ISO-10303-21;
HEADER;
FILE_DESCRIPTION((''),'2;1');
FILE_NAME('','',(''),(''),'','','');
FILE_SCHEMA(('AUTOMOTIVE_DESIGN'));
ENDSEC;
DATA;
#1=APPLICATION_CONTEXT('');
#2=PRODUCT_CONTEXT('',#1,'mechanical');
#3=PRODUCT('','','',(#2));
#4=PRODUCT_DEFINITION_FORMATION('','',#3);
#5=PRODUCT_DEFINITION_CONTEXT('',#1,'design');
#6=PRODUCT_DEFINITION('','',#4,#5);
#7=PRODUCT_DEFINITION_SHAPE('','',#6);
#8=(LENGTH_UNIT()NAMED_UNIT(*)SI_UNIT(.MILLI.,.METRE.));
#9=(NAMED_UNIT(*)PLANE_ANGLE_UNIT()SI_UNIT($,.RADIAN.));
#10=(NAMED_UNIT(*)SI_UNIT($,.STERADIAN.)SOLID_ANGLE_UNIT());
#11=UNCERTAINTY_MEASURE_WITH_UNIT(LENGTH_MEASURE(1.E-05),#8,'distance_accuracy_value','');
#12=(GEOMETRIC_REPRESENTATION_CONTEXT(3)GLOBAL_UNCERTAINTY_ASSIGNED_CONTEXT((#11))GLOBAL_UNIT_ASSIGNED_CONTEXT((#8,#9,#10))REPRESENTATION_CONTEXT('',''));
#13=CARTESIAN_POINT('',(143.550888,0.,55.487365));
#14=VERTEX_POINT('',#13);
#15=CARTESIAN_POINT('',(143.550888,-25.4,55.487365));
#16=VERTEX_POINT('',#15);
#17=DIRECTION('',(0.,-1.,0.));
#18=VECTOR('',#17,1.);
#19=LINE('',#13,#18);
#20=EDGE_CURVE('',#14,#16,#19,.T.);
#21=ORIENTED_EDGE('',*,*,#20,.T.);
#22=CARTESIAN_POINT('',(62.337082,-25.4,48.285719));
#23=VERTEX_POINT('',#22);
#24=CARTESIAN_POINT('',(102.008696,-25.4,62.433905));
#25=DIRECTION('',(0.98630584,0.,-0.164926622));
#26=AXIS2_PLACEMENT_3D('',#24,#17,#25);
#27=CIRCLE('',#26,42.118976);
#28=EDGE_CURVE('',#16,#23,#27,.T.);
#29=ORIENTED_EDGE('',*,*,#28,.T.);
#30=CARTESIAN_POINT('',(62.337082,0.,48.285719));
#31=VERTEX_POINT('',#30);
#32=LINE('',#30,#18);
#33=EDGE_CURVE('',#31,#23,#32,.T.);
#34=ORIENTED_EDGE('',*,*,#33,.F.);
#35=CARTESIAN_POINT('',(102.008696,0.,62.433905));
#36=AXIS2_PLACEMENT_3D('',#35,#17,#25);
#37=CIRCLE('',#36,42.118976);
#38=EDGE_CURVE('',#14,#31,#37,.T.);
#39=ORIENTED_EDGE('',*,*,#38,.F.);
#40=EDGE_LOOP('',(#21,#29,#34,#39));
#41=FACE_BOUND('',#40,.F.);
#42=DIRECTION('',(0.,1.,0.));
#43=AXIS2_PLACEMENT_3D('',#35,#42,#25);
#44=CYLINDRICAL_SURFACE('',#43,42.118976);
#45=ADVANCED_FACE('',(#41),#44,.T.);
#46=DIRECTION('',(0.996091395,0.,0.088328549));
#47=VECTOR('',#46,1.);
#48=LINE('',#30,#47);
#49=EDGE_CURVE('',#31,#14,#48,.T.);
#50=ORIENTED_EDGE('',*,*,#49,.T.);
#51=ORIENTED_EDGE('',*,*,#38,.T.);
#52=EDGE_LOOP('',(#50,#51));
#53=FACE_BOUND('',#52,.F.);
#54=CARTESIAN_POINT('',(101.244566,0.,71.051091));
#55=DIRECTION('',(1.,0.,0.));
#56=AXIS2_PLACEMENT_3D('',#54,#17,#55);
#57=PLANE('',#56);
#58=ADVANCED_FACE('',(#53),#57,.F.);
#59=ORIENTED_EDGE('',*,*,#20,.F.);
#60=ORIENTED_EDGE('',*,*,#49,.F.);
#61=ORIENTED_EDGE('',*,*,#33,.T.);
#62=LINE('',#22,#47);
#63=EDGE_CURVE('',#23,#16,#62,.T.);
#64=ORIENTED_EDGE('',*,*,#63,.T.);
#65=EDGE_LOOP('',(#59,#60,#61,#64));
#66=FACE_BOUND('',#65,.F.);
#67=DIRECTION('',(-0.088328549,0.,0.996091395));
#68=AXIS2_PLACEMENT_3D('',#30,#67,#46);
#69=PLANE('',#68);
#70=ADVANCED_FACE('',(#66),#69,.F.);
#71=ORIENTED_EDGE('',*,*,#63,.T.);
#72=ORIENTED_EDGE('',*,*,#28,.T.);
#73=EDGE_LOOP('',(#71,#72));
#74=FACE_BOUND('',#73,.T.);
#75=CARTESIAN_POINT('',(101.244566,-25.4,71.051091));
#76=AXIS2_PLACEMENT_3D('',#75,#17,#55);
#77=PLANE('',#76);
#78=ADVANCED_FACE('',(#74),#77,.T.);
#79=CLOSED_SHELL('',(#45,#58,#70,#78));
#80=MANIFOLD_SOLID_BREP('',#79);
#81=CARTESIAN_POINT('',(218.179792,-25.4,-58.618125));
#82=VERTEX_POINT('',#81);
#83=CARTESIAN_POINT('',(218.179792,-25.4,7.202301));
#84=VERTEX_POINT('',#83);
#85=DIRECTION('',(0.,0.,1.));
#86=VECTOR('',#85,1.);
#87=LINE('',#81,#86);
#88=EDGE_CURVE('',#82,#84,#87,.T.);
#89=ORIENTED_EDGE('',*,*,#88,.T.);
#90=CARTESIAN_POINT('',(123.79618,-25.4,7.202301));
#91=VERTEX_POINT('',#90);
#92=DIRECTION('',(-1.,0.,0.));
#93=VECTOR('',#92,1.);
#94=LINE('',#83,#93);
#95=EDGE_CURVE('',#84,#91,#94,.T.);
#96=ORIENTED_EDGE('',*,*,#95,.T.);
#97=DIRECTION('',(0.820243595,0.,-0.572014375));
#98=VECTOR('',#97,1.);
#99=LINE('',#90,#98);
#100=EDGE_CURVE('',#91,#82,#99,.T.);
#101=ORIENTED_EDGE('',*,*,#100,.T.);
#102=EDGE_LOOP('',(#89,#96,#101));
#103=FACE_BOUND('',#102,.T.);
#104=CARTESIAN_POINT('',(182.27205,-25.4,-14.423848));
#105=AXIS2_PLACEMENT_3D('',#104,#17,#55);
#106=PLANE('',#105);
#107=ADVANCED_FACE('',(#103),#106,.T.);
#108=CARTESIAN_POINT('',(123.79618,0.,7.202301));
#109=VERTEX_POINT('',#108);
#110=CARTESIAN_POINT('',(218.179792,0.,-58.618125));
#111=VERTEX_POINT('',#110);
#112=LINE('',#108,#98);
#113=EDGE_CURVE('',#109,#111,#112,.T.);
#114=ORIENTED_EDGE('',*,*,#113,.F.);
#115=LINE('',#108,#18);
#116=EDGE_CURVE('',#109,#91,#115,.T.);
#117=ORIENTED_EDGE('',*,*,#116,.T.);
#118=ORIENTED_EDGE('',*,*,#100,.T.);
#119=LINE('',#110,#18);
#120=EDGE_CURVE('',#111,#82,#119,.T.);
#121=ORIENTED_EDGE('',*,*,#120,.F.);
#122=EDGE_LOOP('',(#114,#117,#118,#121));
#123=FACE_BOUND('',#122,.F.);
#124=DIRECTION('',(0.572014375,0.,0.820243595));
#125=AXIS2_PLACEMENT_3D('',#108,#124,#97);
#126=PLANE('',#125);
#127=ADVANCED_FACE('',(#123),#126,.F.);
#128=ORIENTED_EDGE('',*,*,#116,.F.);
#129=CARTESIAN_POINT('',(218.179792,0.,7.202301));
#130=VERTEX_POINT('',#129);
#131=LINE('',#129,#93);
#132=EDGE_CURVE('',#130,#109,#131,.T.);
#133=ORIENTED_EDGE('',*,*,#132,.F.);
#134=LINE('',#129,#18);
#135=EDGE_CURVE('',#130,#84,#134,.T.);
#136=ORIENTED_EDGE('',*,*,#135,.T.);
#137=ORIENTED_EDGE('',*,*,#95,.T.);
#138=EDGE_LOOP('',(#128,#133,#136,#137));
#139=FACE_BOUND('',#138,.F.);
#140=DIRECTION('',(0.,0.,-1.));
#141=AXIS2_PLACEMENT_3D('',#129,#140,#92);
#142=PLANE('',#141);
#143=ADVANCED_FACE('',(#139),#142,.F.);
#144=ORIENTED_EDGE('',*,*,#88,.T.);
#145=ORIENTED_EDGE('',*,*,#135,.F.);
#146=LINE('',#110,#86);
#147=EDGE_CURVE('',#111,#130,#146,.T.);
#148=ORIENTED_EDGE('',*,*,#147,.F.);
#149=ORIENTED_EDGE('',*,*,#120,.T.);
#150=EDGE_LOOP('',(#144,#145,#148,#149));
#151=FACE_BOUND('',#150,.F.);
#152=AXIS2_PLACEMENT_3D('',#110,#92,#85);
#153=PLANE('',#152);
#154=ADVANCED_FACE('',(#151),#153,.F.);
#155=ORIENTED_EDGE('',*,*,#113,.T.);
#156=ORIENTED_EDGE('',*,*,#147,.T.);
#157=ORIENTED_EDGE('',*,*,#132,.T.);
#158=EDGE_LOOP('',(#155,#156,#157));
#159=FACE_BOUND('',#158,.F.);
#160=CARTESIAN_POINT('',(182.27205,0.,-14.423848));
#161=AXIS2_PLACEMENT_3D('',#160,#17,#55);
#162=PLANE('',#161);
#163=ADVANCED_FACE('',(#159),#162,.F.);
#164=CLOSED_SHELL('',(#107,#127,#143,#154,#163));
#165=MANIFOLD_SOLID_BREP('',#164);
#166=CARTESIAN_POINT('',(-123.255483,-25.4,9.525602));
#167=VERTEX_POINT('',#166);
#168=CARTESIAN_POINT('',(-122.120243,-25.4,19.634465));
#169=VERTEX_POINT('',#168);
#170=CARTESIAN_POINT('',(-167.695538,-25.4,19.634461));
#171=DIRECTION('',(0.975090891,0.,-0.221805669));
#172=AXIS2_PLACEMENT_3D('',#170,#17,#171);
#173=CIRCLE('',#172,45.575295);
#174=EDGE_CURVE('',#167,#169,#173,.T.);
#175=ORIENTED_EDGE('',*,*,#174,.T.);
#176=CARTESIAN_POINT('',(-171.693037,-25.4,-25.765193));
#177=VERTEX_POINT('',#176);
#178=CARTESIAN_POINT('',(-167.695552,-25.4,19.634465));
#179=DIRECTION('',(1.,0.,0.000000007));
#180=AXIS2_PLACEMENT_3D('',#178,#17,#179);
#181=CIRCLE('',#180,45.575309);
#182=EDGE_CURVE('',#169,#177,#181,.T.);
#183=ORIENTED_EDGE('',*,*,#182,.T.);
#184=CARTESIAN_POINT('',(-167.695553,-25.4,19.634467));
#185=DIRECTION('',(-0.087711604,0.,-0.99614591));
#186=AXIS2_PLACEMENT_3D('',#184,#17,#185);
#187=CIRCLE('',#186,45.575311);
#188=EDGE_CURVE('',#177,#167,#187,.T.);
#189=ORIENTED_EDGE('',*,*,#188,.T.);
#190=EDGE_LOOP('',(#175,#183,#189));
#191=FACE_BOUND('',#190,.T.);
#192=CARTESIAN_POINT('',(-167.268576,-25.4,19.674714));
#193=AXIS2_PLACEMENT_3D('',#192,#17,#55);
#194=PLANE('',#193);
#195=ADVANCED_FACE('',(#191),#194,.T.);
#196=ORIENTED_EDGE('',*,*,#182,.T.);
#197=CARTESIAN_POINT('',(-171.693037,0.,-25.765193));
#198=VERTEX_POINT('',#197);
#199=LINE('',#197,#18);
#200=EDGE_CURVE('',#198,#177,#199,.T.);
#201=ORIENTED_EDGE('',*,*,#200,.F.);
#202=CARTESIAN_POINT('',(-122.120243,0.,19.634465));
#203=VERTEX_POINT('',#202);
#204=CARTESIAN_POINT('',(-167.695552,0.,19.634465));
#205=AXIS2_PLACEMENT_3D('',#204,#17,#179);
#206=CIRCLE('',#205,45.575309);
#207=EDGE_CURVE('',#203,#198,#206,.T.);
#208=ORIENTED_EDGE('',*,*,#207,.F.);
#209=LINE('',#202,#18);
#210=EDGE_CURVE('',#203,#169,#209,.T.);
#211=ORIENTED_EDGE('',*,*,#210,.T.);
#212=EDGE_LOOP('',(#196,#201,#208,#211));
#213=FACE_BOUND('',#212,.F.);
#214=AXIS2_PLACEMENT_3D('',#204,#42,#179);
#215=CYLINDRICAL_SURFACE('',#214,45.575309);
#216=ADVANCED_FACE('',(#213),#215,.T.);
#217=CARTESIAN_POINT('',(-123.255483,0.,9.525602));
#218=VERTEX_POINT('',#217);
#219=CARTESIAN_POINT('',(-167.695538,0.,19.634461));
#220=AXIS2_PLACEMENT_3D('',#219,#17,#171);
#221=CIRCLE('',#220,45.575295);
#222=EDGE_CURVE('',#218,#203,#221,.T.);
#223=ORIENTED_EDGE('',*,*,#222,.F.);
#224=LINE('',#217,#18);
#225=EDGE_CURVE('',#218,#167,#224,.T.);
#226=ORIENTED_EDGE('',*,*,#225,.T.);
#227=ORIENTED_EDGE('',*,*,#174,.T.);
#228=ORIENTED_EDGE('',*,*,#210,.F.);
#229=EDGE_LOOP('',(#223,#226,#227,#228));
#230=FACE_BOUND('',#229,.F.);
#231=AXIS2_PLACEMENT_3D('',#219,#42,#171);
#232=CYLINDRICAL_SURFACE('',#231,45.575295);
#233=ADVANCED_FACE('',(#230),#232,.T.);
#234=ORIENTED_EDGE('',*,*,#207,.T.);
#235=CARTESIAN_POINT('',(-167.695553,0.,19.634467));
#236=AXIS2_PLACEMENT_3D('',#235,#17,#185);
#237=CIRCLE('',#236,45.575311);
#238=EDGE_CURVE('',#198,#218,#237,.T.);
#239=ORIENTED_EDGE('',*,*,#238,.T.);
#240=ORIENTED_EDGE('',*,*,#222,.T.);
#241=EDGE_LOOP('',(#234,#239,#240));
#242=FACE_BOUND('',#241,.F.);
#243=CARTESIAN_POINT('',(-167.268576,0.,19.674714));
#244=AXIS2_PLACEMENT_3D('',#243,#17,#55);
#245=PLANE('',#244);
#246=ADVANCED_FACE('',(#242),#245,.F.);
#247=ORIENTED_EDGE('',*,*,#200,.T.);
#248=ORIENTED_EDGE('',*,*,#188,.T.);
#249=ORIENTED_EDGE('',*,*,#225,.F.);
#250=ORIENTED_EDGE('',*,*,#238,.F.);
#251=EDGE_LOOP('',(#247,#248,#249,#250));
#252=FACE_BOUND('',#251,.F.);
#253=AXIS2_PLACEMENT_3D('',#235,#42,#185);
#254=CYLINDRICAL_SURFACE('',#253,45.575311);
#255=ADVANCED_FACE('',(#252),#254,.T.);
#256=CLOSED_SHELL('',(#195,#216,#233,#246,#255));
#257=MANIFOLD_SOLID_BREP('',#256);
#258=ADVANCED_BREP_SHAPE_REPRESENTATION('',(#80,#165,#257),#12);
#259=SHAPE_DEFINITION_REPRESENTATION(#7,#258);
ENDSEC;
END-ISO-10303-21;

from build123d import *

# Parameters (mm, degrees)
F1_DEPTH = 25.4


with BuildPart() as f1:
    # F0 (on Front) → F1 (new body)
    with BuildSketch(Plane.XZ):
        with BuildLine():
            ThreePointArc((-123.255483, 9.525602), (-122.404942, 14.548261), (-122.120243, 19.634465))
            ThreePointArc((-122.120243, 19.634465), (-198.476408, 53.244697), (-171.693037, -25.765193))
            ThreePointArc((-171.693037, -25.765193), (-150.010482, -4.638764), (-123.255483, 9.525602))
        make_face()
        with BuildLine():
            ThreePointArc((-123.255483, 9.525602), (-150.010482, -4.638764), (-171.693037, -25.765193))
            ThreePointArc((-171.693037, -25.765193), (-140.857879, -17.200954), (-123.255483, 9.525602))
        make_face()
        with BuildLine():
            Line((62.337082, 48.285719), (143.550888, 55.487365))
            ThreePointArc((143.550888, 55.487365), (98.288388, 104.388255), (62.337082, 48.285719))
        make_face()
        Polygon((218.179792, 7.202301), (123.79618, 7.202301), (218.179792, -58.618125), align=None)
    extrude(amount=F1_DEPTH)


solid = f1.part
